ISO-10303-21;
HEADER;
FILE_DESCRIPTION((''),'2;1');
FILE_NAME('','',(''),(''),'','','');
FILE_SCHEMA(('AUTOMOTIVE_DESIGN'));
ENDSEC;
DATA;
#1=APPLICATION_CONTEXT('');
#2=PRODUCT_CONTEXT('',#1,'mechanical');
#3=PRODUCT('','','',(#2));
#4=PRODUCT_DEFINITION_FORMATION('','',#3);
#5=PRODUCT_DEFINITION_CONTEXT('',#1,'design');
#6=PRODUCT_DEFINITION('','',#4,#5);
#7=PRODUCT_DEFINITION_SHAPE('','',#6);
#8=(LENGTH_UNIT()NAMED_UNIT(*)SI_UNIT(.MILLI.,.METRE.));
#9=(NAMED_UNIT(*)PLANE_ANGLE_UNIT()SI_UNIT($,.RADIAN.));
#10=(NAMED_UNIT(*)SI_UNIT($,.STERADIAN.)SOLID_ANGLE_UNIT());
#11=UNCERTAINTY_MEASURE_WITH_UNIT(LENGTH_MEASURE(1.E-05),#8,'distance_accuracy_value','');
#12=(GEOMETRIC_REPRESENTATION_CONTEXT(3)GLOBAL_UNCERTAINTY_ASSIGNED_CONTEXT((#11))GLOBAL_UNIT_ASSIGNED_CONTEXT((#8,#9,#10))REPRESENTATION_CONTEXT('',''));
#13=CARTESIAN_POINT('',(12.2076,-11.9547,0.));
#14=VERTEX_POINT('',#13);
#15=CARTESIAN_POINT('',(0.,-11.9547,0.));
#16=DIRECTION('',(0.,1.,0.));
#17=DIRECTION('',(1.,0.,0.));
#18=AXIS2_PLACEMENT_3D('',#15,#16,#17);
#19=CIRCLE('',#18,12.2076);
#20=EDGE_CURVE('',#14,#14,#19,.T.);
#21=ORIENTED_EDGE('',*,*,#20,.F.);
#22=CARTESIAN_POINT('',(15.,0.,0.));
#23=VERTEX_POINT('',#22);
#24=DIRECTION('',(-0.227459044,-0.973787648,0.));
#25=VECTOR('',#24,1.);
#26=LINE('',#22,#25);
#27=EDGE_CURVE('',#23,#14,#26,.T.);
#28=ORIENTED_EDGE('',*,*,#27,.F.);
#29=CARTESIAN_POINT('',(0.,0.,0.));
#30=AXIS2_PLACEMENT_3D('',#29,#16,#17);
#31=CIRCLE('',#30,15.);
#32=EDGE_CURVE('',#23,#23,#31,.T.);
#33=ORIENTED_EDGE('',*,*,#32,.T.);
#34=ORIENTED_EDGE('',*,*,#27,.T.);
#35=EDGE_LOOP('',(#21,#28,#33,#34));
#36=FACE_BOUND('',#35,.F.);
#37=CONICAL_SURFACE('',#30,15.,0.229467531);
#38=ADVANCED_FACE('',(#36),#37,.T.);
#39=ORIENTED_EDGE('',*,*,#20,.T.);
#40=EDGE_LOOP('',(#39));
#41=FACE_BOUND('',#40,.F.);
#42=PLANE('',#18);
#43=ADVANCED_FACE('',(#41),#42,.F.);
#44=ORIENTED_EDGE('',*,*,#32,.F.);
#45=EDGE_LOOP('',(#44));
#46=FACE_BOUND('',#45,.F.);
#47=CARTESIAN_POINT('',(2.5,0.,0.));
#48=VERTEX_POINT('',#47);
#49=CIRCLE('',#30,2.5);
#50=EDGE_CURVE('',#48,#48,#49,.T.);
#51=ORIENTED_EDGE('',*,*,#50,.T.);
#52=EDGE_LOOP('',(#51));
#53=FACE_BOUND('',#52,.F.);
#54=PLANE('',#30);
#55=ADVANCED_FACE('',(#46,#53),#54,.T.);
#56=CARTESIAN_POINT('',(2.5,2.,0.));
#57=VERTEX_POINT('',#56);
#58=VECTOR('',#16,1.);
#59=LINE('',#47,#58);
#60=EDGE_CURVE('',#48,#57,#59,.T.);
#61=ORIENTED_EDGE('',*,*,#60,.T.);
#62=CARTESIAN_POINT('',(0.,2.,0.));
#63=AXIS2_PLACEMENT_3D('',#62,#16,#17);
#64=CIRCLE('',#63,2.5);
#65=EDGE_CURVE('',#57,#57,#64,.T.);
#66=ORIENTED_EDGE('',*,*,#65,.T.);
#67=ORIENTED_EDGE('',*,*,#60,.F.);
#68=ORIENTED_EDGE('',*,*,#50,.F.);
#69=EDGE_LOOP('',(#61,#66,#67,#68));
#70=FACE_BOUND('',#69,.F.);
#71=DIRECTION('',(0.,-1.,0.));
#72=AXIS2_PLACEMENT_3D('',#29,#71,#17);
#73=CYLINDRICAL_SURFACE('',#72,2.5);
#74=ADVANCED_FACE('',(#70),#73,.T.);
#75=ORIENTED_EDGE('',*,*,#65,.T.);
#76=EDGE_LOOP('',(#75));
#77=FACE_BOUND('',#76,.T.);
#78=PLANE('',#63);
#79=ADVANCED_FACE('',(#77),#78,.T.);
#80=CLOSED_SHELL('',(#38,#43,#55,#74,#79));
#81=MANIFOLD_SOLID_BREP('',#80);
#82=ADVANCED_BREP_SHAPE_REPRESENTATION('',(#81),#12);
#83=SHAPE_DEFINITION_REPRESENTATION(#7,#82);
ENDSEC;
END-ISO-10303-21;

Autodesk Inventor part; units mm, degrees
ref_plane "YZ Plane" through (0, 0, 0) normal (1, 0, 0) x (0, 1, 0)
ref_plane "XZ Plane" through (0, 0, 0) normal (0, 1, 0) x (-1, 0, 0)
ref_plane "XY Plane" through (0, 0, 0) normal (0, 0, 1) x (1, 0, 0)
sketch "Sketch1" plane through (0, 0, 0) normal (0, 0, 1) x (1, 0, 0)
  line L0 (0, 0) -> (15, 0)
  line L1 (15, 0) -> (12.2076, -11.9547)
  line L2 (12.2076, -11.9547) -> (0, -11.9547)
  line L3 (0, -11.9547) -> (0, 0)
  dimension "d0" = 15
revolve "Revolution1" add sketch "Sketch1" angle 360 about axis through (0, -11.9547, 0) along (0, 1, 0)
sketch "Sketch2" plane through (0, 0, 0) normal (0, 1, 0) x (1, 0, 0)
  circle A0 centre (0, 0) radius 2.5
  dimension "d2" = 5
extrude "Extrusion1" add sketch "Sketch2" along normal blind 2
properties part number "pata"
